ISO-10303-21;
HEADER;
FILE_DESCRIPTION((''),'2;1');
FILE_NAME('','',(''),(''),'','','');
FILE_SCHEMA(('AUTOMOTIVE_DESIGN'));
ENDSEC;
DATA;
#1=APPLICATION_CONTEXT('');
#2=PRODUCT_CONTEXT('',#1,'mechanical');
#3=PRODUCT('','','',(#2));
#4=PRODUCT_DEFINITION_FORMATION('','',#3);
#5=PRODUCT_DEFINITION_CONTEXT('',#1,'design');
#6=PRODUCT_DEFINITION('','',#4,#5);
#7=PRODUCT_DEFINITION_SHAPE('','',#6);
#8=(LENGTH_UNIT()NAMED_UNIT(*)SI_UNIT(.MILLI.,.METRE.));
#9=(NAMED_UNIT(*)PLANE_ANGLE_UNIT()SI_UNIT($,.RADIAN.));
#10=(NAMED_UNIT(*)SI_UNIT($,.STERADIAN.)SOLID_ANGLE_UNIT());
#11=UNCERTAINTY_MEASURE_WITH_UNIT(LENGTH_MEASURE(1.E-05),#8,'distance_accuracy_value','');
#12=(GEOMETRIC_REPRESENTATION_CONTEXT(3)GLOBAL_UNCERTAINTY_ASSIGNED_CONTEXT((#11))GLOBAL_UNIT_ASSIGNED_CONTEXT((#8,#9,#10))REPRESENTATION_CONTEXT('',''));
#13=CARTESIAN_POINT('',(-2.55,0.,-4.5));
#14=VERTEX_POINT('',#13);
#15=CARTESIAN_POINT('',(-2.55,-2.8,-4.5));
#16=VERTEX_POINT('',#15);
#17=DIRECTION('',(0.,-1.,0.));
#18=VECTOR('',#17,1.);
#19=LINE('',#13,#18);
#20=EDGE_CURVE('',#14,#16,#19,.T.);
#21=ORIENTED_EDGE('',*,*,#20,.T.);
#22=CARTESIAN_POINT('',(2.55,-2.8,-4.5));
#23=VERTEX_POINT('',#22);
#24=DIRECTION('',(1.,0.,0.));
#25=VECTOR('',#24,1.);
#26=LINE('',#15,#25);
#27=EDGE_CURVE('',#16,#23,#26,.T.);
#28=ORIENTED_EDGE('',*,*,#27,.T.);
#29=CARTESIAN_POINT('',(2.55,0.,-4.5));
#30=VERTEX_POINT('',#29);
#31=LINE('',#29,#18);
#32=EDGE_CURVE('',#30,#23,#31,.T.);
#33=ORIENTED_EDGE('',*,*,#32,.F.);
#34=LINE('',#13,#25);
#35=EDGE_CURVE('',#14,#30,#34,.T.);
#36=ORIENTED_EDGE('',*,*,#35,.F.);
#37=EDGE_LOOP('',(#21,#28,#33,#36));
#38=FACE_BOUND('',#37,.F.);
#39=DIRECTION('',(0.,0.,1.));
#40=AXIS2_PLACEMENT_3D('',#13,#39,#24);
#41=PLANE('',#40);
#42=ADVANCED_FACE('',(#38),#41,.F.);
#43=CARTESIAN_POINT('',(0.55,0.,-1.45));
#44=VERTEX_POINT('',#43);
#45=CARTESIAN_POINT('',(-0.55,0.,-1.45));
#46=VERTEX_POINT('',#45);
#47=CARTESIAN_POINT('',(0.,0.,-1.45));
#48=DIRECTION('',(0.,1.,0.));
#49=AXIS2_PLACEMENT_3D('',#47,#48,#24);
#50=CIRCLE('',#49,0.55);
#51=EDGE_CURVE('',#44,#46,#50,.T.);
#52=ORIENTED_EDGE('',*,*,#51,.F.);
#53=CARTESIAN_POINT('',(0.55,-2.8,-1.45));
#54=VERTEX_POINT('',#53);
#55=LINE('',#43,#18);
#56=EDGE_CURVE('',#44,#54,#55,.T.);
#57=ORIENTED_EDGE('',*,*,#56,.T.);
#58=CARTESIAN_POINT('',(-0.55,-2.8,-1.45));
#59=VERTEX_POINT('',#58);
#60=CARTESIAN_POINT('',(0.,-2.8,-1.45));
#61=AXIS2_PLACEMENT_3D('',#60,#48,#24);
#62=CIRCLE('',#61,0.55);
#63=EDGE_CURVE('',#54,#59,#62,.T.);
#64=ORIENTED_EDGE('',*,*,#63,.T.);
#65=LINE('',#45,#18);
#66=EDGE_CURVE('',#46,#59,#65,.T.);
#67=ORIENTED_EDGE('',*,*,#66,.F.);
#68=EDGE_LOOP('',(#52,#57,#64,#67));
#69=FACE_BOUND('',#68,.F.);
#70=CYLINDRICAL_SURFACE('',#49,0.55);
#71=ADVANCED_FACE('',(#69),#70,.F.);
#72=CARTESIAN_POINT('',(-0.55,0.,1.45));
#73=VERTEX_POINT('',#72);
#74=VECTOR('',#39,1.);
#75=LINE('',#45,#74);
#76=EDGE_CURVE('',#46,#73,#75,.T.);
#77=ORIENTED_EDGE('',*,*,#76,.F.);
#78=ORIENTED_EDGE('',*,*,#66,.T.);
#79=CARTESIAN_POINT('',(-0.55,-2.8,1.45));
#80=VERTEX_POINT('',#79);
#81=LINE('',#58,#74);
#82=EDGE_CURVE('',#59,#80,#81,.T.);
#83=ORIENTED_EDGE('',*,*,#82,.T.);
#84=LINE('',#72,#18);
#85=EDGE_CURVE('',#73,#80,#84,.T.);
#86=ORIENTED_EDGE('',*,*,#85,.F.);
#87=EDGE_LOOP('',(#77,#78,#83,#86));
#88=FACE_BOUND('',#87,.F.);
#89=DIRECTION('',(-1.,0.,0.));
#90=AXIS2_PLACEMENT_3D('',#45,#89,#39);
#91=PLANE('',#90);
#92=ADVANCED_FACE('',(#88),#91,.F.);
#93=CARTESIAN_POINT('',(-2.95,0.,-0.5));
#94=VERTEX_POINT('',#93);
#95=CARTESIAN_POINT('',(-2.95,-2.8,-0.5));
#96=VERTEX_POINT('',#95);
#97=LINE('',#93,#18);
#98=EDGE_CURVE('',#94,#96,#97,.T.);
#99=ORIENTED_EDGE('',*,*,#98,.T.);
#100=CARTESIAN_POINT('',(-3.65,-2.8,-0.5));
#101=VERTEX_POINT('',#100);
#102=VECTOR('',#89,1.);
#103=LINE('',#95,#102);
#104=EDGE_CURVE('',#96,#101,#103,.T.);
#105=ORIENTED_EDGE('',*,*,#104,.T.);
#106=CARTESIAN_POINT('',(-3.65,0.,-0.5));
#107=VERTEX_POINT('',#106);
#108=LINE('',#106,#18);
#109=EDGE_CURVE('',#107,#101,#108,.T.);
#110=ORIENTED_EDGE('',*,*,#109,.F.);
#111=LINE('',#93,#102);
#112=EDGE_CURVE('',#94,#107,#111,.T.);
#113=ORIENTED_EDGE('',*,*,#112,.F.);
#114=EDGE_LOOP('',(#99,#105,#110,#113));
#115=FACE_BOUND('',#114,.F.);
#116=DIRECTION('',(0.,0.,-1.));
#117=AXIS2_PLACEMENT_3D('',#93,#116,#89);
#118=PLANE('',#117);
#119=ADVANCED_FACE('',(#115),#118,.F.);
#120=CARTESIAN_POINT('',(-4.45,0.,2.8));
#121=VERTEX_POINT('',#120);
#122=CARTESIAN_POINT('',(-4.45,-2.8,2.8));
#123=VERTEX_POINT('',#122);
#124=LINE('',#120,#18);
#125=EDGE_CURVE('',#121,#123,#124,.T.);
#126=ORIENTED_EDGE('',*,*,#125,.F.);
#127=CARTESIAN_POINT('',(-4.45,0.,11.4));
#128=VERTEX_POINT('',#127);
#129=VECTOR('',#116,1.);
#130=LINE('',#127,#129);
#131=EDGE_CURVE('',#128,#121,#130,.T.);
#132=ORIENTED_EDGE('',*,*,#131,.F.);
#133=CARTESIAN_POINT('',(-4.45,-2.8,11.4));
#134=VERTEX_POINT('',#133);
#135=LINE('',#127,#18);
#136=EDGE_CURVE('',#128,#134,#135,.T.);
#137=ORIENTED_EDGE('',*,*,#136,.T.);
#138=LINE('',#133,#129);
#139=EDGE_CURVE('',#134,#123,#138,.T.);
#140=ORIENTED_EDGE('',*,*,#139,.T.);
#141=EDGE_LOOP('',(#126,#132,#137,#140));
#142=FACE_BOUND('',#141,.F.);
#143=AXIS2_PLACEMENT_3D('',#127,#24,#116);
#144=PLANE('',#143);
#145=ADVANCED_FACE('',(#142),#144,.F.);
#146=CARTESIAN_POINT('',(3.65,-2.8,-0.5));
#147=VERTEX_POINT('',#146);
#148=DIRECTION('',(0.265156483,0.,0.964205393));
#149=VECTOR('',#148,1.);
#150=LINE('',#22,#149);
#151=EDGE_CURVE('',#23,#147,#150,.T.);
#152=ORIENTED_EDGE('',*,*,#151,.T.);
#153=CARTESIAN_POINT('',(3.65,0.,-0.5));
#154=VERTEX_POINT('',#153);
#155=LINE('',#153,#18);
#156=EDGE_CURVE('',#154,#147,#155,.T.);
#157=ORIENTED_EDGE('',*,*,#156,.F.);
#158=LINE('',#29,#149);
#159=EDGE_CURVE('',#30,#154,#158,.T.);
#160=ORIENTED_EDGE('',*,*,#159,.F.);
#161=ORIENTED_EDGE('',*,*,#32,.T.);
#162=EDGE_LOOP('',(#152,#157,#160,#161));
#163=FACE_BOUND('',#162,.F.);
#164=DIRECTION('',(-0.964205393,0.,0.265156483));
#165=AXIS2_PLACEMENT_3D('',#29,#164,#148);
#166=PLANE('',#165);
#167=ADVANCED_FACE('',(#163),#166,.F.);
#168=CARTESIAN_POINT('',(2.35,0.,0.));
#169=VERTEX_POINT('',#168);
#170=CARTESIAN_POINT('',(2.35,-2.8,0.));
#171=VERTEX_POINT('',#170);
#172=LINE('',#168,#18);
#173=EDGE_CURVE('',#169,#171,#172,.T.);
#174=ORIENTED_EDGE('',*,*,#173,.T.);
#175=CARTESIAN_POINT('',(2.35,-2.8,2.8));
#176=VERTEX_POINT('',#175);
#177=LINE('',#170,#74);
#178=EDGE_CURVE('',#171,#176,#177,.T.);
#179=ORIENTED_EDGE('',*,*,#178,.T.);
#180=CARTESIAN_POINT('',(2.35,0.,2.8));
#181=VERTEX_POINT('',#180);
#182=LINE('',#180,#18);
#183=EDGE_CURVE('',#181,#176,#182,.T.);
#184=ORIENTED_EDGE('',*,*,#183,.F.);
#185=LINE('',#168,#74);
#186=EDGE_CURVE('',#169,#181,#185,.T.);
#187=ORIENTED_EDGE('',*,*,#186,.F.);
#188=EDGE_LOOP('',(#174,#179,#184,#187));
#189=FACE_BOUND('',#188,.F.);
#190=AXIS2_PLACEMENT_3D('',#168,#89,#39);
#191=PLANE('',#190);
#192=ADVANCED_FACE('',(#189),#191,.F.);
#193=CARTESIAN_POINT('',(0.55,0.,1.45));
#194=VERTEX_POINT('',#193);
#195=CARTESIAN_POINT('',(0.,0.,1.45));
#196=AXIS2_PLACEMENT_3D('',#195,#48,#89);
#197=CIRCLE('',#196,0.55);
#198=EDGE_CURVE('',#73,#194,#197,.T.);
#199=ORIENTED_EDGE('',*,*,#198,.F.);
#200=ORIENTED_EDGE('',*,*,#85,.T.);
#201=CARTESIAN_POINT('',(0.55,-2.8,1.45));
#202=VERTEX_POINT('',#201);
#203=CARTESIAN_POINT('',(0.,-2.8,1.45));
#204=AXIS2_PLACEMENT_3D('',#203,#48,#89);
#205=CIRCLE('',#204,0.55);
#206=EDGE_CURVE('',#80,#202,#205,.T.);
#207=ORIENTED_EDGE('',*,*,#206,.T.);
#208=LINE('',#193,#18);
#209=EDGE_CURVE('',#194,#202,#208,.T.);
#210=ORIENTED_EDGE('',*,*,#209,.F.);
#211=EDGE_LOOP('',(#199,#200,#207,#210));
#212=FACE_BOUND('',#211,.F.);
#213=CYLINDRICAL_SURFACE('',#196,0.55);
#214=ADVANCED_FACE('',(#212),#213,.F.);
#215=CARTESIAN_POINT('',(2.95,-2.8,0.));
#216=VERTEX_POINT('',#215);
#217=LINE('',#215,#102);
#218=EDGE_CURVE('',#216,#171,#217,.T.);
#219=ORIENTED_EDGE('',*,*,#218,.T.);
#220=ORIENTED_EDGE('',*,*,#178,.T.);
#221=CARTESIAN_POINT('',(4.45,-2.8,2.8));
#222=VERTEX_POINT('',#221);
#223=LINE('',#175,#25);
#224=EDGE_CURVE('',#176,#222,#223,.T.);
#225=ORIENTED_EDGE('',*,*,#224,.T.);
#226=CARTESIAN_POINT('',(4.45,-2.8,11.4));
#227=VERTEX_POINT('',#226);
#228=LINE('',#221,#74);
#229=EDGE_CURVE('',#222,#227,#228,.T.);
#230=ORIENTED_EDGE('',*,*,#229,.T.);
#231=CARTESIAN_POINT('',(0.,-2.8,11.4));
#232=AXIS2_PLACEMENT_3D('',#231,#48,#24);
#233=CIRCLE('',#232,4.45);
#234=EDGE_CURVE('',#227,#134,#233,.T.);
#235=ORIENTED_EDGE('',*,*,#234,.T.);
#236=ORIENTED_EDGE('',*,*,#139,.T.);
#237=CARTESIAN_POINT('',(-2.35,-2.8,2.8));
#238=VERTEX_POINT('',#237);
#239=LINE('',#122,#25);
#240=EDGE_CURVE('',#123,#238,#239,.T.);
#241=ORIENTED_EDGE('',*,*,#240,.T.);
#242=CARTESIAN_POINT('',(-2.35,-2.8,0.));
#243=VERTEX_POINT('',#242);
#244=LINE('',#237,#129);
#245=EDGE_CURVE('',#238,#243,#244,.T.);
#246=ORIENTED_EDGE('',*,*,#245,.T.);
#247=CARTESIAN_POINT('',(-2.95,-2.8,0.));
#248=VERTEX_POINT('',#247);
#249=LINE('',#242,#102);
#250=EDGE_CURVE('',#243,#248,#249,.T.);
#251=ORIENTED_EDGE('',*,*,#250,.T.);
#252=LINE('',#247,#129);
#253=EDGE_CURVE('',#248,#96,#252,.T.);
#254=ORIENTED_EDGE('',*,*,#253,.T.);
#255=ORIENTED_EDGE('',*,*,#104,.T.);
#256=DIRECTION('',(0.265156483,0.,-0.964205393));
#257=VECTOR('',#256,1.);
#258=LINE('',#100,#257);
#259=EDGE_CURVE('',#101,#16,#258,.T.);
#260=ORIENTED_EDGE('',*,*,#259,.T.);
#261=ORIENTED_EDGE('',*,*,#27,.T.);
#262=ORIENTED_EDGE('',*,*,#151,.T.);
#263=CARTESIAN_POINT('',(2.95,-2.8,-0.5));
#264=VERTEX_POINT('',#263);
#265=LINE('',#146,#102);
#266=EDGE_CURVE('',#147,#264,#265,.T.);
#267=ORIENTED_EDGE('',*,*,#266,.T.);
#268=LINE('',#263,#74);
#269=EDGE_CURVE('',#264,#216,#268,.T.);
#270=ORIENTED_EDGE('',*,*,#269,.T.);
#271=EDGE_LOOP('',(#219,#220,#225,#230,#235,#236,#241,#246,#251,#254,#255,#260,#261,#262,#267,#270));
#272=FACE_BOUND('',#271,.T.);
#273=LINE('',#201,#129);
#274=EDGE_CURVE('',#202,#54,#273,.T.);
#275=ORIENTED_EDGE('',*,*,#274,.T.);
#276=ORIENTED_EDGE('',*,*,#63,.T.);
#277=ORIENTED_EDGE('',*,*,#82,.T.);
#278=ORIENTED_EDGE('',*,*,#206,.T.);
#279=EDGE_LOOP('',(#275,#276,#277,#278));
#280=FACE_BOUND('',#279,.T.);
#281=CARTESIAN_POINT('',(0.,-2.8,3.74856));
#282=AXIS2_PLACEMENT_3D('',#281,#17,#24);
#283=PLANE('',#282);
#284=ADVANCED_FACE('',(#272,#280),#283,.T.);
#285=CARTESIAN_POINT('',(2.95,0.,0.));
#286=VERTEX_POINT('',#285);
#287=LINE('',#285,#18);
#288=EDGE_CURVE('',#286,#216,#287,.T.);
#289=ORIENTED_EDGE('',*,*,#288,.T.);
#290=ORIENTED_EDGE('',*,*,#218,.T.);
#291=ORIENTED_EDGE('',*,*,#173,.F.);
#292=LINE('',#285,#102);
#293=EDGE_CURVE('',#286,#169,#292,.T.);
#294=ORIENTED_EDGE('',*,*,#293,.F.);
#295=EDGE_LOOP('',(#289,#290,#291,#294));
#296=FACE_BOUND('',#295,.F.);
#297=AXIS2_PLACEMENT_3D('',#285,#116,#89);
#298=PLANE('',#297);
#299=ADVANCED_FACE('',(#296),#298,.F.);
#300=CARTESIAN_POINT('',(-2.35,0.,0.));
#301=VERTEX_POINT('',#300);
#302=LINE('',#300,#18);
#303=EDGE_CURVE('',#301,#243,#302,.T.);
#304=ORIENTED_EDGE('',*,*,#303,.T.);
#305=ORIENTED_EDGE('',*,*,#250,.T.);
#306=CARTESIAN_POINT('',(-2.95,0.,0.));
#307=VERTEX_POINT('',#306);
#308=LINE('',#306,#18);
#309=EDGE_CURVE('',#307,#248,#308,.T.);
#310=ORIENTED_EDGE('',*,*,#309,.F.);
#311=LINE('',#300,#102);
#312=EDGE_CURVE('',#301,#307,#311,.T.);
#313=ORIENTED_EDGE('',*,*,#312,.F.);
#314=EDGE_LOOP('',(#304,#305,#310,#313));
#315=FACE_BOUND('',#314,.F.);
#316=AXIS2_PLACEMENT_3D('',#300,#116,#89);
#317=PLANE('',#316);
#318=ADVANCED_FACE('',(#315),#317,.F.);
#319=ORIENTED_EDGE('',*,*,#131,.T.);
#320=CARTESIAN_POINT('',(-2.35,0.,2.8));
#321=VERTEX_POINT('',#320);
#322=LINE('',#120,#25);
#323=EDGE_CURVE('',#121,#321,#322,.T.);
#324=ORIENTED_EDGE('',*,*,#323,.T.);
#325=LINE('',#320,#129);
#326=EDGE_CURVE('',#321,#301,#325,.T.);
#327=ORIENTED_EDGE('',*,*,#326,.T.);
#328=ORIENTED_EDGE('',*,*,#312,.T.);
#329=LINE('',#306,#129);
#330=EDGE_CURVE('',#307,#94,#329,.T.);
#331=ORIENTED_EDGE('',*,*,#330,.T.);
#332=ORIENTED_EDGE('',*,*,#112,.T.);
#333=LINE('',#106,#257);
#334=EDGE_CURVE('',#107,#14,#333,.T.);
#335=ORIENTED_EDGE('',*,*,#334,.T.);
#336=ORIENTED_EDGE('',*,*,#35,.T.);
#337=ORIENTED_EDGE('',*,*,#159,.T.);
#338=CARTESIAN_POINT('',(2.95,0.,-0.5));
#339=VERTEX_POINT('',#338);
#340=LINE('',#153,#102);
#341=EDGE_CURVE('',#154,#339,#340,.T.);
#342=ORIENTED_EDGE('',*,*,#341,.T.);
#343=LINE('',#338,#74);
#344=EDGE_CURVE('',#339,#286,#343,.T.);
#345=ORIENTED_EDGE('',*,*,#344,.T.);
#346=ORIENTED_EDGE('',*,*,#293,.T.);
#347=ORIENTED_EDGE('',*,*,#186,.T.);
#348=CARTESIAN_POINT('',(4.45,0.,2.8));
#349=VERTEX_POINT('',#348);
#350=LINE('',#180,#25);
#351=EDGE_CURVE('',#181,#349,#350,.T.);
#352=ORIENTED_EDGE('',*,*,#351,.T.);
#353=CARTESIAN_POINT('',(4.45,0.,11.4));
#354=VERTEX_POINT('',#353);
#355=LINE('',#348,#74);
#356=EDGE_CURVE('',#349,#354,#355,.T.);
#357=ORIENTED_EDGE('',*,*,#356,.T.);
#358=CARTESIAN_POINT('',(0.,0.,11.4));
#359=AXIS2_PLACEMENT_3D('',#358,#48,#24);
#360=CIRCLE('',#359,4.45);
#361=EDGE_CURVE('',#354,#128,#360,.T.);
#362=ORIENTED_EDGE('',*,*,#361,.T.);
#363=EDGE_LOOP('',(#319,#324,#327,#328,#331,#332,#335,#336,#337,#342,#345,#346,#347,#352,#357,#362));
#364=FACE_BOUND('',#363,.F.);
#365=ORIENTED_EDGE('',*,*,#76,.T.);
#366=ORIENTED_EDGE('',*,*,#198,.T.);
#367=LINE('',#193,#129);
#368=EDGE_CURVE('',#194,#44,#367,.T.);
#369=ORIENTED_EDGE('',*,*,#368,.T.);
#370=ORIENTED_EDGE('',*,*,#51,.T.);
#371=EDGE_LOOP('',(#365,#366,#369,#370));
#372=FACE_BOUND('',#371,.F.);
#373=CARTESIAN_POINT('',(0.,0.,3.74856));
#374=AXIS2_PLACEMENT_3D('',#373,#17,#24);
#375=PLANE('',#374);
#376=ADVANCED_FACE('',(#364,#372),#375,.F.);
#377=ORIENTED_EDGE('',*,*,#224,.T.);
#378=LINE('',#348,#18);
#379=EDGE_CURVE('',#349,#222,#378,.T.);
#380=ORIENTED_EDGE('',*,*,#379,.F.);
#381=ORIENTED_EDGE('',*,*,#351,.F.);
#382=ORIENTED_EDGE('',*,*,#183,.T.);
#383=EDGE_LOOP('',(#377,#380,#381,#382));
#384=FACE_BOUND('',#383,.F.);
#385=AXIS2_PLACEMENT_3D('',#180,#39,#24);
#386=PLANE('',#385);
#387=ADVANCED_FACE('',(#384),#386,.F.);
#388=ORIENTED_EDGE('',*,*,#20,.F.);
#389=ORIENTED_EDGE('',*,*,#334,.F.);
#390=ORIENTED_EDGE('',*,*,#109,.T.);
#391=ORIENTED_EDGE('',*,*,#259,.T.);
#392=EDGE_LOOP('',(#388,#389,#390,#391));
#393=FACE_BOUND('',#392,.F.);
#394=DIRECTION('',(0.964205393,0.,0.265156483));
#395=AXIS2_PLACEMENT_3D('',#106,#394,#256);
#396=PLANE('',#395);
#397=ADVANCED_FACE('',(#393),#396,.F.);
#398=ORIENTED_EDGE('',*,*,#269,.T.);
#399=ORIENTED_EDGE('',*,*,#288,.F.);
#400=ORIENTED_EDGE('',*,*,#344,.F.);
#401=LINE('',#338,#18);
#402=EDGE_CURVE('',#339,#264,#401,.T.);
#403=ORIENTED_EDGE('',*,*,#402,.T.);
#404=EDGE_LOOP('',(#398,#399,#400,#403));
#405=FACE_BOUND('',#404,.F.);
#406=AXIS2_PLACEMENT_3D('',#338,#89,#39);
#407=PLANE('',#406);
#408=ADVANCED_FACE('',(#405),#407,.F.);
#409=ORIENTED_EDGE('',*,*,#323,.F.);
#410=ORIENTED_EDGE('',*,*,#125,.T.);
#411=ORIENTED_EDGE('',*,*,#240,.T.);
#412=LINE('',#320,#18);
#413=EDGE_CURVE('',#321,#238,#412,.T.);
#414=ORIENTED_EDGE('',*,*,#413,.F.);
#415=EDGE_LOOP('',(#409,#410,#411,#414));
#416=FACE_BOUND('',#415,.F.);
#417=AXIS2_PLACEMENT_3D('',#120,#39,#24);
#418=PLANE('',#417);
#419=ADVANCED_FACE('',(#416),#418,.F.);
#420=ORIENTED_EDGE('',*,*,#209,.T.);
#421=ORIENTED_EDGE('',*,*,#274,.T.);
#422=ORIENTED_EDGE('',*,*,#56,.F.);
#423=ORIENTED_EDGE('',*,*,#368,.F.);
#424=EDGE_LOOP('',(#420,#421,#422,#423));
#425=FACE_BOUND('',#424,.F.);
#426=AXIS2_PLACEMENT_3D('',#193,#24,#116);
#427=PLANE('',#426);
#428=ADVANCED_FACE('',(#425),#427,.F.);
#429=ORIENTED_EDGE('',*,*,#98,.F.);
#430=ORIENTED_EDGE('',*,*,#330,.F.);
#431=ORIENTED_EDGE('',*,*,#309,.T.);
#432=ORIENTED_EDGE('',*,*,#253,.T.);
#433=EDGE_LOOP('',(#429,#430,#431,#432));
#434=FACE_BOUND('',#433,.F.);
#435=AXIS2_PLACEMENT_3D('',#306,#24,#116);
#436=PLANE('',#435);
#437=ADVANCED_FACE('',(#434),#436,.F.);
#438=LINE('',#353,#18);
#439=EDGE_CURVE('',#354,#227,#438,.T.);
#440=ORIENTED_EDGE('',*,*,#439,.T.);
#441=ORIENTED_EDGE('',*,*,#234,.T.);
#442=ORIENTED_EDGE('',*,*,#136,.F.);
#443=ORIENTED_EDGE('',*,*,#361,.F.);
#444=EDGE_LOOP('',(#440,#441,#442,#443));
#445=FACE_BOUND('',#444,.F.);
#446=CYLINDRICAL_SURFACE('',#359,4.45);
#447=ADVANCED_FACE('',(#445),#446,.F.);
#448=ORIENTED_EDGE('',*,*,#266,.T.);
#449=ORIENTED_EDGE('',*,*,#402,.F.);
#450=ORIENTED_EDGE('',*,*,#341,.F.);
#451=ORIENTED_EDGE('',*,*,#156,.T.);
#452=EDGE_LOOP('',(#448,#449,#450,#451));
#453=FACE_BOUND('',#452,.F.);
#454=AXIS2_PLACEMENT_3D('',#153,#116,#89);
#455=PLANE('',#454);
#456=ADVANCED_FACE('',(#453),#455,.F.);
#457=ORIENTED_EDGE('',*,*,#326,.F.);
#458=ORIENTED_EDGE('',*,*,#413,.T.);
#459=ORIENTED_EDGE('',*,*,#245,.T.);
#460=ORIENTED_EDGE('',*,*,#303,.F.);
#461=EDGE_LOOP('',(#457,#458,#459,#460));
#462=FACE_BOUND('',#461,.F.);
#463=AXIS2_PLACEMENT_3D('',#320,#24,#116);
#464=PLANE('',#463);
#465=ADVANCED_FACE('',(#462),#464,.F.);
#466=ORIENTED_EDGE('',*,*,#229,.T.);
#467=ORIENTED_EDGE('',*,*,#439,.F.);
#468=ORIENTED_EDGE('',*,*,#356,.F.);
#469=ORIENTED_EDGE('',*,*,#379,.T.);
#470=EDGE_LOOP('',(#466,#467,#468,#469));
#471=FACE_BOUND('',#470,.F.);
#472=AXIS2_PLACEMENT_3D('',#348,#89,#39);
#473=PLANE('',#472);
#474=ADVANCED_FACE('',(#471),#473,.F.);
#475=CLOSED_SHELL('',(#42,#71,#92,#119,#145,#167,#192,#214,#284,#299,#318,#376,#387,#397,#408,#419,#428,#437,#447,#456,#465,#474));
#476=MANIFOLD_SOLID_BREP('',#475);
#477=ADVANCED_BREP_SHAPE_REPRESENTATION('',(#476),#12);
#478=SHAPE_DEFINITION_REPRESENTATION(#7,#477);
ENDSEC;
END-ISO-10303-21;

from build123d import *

# Parameters (mm, degrees)
F1_DEPTH = 2.8


with BuildPart() as f1:
    # F0 (on Front) → F1 (new body)
    with BuildSketch(Plane.XZ):
        with BuildLine():
            ThreePointArc((4.45, 11.4), (0, 6.95), (-4.45, 11.4))
            Line((-4.45, 11.4), (-4.45, 2.8))
            Line((-4.45, 2.8), (-2.35, 2.8))
            Line((-2.35, 2.8), (-2.35, 0))
            Line((-2.35, 0), (-2.95, 0))
            Line((-2.95, 0), (-2.95, -0.5))
            Line((-2.95, -0.5), (-3.65, -0.5))
            Line((-3.65, -0.5), (-2.55, -4.5))
            Line((-2.55, -4.5), (2.55, -4.5))
            Line((2.55, -4.5), (3.65, -0.5))
            Line((3.65, -0.5), (2.95, -0.5))
            Line((2.95, -0.5), (2.95, 0))
            Line((2.95, 0), (2.35, 0))
            Line((2.35, 0), (2.35, 2.8))
            Line((2.35, 2.8), (4.45, 2.8))
            Line((4.45, 2.8), (4.45, 11.4))
        make_face()
        with BuildLine():
            ThreePointArc((-0.55, 1.45), (0, 2), (0.55, 1.45))
            Line((0.55, 1.45), (0.55, -1.45))
            ThreePointArc((0.55, -1.45), (0, -2), (-0.55, -1.45))
            Line((-0.55, -1.45), (-0.55, 1.45))
        make_face(mode=Mode.SUBTRACT)
    extrude(amount=F1_DEPTH)


solid = f1.part
